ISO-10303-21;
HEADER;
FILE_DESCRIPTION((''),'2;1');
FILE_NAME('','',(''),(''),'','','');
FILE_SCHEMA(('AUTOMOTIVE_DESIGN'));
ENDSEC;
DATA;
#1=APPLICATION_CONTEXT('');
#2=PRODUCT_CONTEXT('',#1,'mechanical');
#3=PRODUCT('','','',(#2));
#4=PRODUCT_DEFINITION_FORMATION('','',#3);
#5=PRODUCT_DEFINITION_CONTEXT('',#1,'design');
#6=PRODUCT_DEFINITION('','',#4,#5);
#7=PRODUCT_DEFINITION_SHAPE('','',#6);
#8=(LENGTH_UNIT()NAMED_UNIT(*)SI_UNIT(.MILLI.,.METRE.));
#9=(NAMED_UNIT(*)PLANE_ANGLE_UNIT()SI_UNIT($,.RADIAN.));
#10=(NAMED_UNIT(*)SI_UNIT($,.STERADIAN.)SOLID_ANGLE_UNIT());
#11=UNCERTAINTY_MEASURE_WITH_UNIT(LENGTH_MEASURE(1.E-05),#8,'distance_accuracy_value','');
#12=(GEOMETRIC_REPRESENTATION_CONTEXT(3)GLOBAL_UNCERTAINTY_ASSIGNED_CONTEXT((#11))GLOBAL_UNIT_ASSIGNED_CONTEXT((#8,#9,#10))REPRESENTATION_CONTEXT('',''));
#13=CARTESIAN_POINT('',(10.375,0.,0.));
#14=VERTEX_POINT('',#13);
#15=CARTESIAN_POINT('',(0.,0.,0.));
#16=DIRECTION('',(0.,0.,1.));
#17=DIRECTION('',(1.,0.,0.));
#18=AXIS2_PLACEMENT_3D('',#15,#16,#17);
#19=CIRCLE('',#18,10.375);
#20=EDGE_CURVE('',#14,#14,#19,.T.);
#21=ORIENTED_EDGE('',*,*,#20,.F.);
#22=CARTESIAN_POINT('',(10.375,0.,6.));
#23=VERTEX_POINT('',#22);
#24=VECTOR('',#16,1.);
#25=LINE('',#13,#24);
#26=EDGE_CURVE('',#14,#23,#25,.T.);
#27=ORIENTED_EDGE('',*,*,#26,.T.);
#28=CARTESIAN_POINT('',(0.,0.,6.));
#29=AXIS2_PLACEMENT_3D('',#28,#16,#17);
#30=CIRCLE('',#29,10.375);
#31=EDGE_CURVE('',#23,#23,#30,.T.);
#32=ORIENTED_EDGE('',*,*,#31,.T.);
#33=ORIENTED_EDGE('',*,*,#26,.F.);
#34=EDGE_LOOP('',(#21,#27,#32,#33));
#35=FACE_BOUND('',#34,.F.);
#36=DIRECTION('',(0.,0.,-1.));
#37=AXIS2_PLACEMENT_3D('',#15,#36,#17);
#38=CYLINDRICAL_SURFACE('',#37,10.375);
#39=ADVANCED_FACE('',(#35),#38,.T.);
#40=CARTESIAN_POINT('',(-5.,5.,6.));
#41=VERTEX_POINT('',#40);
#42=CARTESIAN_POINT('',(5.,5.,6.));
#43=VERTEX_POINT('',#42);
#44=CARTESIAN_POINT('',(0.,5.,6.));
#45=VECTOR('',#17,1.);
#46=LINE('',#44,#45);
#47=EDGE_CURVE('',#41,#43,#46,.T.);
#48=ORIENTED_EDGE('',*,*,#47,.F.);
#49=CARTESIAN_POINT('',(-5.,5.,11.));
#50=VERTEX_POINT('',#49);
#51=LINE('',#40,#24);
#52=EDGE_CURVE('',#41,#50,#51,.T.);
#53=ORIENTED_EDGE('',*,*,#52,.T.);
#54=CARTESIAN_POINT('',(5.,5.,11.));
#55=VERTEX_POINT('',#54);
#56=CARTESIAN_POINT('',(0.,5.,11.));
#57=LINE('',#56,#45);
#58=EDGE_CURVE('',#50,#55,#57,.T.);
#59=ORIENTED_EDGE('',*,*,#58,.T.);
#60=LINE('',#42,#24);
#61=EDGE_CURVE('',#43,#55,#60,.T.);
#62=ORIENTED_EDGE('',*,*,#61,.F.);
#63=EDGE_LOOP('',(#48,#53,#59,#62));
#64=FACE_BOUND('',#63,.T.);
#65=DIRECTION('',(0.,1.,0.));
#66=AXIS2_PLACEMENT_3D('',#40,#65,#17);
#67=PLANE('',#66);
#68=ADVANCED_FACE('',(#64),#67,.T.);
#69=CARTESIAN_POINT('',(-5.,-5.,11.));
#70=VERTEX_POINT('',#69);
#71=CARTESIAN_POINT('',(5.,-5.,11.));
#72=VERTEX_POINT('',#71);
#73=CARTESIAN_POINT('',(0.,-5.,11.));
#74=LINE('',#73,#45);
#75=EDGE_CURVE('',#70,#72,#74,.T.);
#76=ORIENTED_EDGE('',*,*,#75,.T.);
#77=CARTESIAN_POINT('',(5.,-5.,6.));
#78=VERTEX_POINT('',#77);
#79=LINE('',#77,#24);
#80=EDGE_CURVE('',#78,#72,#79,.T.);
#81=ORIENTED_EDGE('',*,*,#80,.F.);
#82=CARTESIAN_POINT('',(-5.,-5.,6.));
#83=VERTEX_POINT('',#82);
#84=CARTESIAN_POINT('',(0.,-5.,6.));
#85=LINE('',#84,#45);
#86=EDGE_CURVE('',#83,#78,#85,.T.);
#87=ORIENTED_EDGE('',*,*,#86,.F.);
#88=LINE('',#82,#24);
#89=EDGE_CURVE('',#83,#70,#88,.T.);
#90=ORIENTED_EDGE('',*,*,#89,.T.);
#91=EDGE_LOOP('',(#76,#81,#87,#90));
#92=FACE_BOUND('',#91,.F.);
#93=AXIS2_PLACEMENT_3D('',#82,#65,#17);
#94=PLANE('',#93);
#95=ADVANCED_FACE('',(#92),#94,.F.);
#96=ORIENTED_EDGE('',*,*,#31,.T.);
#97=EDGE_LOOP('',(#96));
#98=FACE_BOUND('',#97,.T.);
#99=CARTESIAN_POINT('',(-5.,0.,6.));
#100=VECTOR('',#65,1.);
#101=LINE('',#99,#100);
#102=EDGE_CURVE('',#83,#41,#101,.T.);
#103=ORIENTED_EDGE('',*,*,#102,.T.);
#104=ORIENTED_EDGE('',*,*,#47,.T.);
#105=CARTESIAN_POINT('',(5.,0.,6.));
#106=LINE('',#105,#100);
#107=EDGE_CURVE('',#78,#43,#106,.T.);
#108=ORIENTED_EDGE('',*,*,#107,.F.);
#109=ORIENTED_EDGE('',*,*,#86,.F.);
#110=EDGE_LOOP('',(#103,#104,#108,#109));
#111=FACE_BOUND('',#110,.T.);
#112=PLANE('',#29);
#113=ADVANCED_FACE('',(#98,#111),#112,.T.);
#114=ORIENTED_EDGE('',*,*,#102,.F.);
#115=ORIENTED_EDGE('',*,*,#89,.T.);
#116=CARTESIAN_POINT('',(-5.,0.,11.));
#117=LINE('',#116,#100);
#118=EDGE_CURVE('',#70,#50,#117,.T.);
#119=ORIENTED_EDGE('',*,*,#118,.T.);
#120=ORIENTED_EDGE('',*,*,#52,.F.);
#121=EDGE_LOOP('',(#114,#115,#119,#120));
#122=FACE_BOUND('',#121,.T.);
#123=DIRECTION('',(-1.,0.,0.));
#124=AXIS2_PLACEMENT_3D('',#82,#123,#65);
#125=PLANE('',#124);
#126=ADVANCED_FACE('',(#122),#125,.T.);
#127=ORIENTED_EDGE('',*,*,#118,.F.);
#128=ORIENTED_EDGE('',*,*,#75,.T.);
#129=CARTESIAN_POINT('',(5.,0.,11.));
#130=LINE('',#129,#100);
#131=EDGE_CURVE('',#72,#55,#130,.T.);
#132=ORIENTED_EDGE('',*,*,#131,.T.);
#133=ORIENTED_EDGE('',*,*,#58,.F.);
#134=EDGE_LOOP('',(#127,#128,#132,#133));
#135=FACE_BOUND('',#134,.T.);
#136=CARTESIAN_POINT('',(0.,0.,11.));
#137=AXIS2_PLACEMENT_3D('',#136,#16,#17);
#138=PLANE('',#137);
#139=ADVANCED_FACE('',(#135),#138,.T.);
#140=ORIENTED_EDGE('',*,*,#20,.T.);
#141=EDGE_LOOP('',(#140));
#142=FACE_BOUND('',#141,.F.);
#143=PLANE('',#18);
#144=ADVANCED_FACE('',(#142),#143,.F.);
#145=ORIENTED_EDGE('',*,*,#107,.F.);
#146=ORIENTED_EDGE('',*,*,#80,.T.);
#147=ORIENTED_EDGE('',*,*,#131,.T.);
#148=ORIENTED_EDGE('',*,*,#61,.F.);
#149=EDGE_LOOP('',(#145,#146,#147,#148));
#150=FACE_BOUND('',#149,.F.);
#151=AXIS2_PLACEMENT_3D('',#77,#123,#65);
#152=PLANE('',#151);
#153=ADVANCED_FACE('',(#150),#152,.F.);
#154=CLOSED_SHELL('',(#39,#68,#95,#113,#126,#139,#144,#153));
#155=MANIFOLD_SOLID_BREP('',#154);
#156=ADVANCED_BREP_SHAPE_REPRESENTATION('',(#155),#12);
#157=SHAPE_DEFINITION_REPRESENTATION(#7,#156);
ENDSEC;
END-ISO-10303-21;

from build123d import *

# Parameters (mm, degrees)
SKETCH_W     = 10
SKETCH_H     = 10
PAD_DEPTH    = 5
SKETCH001_R  = 10.375
PAD001_DEPTH = 6


with BuildPart() as part:
    # Sketch → Pad (new body)
    with BuildSketch(Plane.XY.offset(6)):
        Rectangle(SKETCH_W, SKETCH_H)
    extrude(amount=PAD_DEPTH)

    # Sketch001 → Pad001 (join)
    with BuildSketch(Plane.XY):
        Circle(SKETCH001_R)
    extrude(amount=PAD001_DEPTH)


solid = part.part
